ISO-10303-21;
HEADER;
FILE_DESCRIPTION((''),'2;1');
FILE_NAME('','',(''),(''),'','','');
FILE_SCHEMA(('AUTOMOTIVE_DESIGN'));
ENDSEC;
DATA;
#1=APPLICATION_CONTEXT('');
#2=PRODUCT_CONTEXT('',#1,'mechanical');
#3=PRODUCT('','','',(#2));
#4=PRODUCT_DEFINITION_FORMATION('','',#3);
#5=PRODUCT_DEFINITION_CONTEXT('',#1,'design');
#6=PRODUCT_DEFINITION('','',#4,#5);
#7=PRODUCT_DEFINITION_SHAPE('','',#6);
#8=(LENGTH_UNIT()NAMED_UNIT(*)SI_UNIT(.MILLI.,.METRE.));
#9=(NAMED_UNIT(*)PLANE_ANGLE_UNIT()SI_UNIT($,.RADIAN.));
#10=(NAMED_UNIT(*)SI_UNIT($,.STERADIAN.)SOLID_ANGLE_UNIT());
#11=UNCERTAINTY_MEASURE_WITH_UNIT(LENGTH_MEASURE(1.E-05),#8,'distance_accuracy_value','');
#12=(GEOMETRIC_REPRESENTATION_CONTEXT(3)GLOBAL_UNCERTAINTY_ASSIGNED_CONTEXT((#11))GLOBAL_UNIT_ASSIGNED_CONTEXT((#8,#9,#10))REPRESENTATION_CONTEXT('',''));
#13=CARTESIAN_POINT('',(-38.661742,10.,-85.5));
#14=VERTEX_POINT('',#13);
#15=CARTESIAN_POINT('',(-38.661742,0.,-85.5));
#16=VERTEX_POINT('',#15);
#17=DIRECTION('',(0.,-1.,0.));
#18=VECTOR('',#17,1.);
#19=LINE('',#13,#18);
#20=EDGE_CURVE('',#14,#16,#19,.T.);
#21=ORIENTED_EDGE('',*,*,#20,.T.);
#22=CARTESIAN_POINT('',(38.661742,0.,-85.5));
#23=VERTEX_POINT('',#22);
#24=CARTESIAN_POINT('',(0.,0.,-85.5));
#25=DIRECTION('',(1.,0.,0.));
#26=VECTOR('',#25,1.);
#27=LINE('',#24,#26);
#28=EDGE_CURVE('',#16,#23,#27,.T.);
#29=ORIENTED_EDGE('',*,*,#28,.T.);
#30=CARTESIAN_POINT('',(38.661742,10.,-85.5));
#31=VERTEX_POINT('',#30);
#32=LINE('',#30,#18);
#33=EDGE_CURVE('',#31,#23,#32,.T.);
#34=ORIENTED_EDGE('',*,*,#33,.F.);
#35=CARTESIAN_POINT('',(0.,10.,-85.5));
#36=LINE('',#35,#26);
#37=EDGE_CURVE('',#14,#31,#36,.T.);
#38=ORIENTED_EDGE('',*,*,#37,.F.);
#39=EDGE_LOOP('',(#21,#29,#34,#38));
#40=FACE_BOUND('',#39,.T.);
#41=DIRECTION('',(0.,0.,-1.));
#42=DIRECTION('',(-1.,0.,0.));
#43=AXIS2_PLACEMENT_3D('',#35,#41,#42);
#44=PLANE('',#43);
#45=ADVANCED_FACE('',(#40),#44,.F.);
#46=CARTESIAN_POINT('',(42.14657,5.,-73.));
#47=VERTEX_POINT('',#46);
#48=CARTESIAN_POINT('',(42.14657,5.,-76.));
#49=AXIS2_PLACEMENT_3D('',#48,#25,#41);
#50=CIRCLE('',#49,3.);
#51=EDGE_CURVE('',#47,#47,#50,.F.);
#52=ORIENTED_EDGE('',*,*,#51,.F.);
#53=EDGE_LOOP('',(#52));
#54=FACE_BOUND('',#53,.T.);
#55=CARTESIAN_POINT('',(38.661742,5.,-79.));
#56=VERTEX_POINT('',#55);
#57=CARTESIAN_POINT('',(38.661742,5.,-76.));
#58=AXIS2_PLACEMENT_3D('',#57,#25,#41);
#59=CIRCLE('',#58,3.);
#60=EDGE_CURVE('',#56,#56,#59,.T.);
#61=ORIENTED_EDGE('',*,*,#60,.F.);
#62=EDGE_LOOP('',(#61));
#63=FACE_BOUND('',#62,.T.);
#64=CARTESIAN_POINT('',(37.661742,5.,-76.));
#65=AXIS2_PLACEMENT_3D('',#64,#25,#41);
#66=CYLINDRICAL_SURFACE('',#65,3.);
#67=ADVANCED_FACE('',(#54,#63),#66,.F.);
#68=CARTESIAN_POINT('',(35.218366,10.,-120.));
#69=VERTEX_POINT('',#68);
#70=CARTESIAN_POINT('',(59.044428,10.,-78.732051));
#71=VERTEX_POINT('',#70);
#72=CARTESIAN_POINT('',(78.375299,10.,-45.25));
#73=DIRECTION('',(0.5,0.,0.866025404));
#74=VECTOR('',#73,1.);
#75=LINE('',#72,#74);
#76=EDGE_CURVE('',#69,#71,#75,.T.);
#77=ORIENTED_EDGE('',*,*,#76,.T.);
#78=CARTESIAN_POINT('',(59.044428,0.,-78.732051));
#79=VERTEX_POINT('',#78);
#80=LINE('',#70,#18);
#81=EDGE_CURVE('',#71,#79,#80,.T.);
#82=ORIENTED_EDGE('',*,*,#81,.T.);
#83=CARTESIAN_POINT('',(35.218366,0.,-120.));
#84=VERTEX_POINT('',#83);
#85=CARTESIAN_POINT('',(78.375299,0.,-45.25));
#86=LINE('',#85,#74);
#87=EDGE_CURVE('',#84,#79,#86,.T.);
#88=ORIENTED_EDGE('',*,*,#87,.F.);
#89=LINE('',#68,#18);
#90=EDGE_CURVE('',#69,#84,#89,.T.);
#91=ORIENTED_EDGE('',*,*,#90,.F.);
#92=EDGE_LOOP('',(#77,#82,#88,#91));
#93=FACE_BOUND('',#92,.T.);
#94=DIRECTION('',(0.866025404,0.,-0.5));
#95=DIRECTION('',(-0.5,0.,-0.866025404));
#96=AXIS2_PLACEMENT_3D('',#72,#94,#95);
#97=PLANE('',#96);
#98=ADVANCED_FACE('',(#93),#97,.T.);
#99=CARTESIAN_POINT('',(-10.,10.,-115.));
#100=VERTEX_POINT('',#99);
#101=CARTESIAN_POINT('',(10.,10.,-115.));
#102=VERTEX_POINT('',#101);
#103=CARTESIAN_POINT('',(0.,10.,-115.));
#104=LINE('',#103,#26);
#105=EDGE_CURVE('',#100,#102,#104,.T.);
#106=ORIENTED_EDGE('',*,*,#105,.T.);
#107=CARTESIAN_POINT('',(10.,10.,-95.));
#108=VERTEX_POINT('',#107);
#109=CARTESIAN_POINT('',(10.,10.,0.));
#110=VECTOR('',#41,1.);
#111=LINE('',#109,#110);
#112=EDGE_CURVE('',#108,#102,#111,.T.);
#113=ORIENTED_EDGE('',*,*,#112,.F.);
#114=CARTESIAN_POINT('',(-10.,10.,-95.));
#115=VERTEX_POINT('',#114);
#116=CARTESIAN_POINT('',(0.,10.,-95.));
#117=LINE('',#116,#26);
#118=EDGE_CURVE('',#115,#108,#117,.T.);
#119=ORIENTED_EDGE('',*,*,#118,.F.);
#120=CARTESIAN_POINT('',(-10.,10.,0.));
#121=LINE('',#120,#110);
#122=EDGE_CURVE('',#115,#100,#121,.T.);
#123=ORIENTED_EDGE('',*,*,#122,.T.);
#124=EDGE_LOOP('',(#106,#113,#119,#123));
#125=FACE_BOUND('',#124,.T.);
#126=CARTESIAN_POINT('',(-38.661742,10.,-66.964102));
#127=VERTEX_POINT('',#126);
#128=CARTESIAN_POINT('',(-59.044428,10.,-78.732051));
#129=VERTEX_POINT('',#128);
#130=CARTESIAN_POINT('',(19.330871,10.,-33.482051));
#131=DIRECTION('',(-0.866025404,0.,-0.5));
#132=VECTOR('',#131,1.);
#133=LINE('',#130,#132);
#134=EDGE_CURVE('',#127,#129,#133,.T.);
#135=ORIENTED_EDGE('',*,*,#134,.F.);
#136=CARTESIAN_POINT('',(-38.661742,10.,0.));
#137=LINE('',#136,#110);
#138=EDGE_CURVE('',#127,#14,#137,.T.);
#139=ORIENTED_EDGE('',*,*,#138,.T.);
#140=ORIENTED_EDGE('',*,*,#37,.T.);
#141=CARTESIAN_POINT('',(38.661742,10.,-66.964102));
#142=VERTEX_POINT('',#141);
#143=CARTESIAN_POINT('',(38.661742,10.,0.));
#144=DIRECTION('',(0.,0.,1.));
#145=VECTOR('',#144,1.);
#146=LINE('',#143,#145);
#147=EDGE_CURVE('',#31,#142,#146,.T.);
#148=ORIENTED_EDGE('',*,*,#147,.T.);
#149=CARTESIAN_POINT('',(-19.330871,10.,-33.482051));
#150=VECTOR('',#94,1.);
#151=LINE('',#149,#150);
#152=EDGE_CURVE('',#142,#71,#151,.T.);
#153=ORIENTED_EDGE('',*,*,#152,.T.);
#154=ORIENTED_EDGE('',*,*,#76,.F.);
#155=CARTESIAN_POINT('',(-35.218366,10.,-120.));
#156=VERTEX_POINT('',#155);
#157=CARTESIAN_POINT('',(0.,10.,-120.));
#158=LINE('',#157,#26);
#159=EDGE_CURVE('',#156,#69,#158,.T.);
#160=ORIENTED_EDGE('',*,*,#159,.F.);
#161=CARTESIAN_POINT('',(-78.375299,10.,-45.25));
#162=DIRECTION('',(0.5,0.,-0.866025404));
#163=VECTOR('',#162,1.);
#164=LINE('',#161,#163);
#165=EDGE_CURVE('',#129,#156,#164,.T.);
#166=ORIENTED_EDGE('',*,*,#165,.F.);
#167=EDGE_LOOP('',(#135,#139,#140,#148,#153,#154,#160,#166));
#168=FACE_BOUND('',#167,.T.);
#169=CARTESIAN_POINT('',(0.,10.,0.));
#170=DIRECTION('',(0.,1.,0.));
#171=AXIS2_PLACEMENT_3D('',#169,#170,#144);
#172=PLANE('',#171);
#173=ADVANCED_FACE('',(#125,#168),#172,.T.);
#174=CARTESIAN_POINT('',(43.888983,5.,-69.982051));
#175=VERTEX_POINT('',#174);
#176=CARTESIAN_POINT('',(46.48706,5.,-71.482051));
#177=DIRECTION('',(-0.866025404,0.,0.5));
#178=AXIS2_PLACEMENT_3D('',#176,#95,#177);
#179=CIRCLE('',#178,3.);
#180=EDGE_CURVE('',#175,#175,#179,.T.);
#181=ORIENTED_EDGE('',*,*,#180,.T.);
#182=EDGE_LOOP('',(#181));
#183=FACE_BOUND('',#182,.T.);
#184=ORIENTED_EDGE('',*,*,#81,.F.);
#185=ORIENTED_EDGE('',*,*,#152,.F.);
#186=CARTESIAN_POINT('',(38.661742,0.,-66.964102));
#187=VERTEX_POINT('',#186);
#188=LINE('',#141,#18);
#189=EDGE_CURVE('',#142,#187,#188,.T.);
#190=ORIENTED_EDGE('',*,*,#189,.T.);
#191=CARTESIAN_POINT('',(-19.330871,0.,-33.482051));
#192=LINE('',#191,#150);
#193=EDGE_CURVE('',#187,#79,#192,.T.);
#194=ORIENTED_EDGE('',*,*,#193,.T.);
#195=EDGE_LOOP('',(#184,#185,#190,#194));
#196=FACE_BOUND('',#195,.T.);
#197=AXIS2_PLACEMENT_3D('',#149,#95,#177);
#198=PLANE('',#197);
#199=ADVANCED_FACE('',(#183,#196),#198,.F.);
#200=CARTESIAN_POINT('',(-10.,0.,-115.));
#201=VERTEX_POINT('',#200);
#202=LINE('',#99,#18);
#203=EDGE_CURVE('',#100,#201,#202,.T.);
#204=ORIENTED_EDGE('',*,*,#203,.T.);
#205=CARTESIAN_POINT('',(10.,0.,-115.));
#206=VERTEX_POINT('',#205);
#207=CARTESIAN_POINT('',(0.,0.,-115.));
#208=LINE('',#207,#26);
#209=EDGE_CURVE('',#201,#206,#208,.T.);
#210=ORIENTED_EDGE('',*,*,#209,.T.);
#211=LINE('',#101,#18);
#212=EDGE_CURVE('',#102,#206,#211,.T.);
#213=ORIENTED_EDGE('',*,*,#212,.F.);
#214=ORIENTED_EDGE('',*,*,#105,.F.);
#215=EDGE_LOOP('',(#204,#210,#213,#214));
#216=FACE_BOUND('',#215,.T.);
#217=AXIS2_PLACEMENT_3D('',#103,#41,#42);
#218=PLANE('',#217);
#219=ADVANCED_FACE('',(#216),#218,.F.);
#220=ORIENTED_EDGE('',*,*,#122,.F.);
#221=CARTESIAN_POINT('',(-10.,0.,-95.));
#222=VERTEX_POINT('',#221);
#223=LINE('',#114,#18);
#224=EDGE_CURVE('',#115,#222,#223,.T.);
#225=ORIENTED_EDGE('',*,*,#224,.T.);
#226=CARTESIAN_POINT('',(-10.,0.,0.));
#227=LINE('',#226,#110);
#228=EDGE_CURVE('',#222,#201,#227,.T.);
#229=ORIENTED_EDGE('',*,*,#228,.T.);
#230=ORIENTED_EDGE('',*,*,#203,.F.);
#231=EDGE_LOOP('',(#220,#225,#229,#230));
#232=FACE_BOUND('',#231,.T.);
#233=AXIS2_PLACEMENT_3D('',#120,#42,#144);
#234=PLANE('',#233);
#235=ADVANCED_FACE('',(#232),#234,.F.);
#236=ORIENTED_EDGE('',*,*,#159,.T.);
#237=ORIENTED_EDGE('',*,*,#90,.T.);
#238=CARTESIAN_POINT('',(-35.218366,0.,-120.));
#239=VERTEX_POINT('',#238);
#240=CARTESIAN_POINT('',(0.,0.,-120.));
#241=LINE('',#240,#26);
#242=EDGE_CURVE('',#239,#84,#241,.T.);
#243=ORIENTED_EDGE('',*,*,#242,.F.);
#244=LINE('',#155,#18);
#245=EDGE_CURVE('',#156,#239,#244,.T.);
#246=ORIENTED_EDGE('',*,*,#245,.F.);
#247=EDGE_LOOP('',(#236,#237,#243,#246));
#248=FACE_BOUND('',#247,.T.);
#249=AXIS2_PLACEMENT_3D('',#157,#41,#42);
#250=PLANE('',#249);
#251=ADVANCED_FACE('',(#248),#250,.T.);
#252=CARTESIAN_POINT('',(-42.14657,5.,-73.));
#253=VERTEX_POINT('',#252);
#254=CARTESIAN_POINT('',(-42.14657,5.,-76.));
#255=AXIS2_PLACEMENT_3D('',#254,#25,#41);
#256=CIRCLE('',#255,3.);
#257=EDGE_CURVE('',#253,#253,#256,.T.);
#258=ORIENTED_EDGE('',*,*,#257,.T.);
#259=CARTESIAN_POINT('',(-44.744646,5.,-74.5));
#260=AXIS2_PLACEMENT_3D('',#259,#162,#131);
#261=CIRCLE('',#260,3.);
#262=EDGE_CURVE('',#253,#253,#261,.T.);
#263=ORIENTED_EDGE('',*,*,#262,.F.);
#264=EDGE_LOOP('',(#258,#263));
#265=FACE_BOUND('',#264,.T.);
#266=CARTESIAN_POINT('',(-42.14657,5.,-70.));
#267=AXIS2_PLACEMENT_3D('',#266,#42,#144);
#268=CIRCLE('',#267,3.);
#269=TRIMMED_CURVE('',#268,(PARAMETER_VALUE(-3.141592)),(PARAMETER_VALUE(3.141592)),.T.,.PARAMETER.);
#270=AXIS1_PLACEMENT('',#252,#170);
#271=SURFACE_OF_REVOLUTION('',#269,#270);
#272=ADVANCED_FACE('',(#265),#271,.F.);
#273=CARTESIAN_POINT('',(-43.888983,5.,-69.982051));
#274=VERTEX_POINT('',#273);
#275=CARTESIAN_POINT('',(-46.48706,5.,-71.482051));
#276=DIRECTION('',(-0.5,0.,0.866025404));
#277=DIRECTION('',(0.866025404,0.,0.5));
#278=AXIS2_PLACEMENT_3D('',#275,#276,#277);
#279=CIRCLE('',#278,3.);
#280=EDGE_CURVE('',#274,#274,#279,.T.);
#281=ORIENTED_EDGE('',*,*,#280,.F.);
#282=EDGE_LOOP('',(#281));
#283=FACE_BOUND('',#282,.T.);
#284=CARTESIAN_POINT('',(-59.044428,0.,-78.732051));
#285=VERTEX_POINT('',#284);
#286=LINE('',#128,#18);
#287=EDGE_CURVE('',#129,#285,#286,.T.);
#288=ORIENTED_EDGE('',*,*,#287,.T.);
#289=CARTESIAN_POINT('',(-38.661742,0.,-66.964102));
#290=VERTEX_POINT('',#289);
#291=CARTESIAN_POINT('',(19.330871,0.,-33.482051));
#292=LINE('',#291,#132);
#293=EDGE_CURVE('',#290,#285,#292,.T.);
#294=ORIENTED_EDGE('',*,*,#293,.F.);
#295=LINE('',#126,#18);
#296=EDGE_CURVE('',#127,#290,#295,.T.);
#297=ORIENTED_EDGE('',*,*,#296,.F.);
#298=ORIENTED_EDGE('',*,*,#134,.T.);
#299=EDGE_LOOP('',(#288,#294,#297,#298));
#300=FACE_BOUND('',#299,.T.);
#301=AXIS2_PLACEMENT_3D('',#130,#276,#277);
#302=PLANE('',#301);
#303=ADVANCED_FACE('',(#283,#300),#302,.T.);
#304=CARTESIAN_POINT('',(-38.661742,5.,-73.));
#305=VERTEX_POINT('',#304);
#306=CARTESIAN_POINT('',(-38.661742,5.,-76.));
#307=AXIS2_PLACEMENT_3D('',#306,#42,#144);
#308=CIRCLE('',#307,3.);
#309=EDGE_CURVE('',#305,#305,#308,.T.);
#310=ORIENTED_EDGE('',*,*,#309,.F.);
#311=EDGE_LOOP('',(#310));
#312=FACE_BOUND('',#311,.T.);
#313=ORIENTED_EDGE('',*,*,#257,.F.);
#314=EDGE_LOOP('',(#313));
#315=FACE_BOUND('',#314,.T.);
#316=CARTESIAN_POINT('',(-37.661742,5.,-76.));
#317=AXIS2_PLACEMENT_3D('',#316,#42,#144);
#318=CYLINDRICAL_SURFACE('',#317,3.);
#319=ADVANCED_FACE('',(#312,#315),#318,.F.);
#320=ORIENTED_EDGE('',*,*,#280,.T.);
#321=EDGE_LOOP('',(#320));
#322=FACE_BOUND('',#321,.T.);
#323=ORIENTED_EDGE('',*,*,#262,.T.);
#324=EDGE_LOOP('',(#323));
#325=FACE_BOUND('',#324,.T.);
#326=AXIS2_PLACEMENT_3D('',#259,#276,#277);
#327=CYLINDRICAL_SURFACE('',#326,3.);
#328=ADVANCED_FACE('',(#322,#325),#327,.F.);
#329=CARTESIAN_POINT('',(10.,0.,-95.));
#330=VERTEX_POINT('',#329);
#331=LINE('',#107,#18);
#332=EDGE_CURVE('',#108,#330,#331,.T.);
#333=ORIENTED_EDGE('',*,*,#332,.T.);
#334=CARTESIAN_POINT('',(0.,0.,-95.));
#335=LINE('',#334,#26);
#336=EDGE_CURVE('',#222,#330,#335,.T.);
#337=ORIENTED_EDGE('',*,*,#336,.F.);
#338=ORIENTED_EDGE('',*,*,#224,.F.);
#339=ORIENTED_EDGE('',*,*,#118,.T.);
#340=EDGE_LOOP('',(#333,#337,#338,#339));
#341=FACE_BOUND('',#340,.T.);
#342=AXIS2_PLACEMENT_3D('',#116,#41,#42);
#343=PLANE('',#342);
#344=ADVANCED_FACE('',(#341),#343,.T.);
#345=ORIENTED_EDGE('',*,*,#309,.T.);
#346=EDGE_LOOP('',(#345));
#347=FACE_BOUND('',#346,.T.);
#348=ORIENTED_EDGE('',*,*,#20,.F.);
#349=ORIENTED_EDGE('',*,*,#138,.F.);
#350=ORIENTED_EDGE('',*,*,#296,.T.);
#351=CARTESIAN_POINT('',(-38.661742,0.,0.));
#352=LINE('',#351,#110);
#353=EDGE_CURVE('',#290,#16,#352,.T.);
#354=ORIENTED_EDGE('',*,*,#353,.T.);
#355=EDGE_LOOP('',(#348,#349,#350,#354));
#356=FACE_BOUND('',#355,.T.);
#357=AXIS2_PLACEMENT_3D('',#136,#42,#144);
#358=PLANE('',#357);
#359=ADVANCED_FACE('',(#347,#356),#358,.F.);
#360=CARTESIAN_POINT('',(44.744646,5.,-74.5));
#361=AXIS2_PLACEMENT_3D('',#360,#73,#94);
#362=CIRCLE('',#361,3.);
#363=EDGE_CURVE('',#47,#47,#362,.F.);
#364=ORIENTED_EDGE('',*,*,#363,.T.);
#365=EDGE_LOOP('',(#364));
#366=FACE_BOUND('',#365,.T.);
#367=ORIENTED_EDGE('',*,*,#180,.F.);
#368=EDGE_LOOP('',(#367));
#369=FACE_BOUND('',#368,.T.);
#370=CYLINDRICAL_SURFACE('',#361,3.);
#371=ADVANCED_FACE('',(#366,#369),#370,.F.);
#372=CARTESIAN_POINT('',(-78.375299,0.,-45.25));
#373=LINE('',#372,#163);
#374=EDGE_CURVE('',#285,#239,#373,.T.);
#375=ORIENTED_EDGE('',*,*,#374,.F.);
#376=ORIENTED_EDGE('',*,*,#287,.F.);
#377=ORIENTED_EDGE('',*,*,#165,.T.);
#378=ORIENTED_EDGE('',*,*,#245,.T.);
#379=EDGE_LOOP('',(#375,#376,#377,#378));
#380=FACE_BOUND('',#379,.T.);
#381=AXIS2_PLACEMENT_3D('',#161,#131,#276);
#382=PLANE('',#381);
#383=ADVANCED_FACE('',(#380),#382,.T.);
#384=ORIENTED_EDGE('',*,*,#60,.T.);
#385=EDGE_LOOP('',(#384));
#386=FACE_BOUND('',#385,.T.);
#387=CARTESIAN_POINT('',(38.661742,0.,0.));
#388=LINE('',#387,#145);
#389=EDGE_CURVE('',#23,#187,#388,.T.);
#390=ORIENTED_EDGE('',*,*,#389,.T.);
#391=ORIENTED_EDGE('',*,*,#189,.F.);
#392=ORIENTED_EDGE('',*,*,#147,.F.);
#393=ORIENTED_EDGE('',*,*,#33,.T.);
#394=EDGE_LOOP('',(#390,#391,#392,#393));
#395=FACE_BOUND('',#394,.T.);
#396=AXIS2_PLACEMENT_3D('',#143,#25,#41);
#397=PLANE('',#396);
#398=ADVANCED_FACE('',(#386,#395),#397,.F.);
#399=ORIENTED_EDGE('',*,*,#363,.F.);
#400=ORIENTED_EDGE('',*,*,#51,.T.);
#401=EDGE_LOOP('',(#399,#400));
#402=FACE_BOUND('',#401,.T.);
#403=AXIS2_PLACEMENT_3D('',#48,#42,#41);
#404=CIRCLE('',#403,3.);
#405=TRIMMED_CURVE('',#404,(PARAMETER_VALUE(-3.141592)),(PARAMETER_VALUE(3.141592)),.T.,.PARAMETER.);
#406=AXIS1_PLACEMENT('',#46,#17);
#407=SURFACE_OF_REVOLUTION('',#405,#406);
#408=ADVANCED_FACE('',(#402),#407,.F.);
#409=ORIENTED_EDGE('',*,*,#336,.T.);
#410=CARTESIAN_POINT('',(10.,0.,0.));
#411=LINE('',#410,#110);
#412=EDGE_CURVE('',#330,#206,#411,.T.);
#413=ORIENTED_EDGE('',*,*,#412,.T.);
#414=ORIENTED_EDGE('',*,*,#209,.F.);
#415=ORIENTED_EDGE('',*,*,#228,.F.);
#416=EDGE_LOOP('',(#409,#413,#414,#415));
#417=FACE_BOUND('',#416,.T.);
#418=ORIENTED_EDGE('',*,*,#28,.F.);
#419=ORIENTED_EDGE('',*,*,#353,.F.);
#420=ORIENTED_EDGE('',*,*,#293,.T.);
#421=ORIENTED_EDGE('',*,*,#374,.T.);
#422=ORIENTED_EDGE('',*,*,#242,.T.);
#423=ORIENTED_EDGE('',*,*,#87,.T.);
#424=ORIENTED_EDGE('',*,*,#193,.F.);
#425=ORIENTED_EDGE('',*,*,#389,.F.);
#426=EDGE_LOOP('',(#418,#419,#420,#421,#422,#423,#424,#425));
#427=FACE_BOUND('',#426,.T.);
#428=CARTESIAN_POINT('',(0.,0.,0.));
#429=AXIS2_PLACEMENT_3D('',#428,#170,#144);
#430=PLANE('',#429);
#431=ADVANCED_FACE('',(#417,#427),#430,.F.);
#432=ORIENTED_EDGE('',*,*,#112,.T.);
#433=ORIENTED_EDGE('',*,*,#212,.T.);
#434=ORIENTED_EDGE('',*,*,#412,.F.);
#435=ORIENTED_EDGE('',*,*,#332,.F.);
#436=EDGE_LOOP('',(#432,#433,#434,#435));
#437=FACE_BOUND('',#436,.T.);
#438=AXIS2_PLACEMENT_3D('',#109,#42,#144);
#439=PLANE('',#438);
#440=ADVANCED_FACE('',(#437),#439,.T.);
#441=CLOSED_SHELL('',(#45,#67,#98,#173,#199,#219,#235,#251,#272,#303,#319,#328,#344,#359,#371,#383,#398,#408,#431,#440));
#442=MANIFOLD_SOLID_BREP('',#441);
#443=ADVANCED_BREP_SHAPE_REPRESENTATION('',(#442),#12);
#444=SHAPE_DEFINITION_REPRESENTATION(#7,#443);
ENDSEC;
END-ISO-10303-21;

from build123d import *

# Parameters (mm, degrees)
SKETCH1_W           = 20
SKETCH1_H           = 20
BOSS_EXTRUDE1_DEPTH = 10
SKETCH2_R           = 3


with BuildPart() as part:
    # Sketch1 → Boss-Extrude1 (new body)
    with BuildSketch(Plane(origin=(0, 0, 0), x_dir=(1, 0, 0), z_dir=(0, 1, 0))):
        Polygon((-59.044427996, 78.732050808), (-54.714300977, 76.232050808), (-38.661742094, 66.964101615), (-38.661742094, 85.5), (38.661742094, 85.5), (38.661742094, 66.964101615), (54.714300977, 76.232050808), (59.044427996, 78.732050808), (35.218366421, 120), (-35.218366421, 120), align=None)
        with Locations((0, 105)):
            Rectangle(SKETCH1_W, SKETCH1_H, mode=Mode.SUBTRACT)
    extrude(amount=BOSS_EXTRUDE1_DEPTH)

    # Cut-Sweep1: sweep along a path in Sketch3
    with BuildLine(Plane(origin=(0, 5, 0), x_dir=(1, 0, 0), z_dir=(0, 1, 0))) as cut_sweep1_path:
        Line((-38.661742094, 76), (-42.146569651, 76))
        ThreePointArc((-42.146569651, 76), (-43.646569651, 75.598076211), (-44.744645862, 74.5))
        Line((-44.744645862, 74.5), (-46.487059641, 71.482050808))
    # Sketch2 → Cut-Sweep1 (sweep, cut)
    with BuildSketch(Plane(origin=(-38.661742094, 0, 0), x_dir=(0, 0, -1), z_dir=(1, 0, 0))):
        with Locations((76, 5)):
            Circle(SKETCH2_R)
    cut_sweep1 = sweep(path=cut_sweep1_path.line, mode=Mode.SUBTRACT)

    # Mirror3: Cut-Sweep1 across plane
    add(cut_sweep1.mirror(Plane(origin=(0, 0, 0), x_dir=(0, 0, 1), z_dir=(1, 0, 0))), mode=Mode.SUBTRACT)


solid = part.part
